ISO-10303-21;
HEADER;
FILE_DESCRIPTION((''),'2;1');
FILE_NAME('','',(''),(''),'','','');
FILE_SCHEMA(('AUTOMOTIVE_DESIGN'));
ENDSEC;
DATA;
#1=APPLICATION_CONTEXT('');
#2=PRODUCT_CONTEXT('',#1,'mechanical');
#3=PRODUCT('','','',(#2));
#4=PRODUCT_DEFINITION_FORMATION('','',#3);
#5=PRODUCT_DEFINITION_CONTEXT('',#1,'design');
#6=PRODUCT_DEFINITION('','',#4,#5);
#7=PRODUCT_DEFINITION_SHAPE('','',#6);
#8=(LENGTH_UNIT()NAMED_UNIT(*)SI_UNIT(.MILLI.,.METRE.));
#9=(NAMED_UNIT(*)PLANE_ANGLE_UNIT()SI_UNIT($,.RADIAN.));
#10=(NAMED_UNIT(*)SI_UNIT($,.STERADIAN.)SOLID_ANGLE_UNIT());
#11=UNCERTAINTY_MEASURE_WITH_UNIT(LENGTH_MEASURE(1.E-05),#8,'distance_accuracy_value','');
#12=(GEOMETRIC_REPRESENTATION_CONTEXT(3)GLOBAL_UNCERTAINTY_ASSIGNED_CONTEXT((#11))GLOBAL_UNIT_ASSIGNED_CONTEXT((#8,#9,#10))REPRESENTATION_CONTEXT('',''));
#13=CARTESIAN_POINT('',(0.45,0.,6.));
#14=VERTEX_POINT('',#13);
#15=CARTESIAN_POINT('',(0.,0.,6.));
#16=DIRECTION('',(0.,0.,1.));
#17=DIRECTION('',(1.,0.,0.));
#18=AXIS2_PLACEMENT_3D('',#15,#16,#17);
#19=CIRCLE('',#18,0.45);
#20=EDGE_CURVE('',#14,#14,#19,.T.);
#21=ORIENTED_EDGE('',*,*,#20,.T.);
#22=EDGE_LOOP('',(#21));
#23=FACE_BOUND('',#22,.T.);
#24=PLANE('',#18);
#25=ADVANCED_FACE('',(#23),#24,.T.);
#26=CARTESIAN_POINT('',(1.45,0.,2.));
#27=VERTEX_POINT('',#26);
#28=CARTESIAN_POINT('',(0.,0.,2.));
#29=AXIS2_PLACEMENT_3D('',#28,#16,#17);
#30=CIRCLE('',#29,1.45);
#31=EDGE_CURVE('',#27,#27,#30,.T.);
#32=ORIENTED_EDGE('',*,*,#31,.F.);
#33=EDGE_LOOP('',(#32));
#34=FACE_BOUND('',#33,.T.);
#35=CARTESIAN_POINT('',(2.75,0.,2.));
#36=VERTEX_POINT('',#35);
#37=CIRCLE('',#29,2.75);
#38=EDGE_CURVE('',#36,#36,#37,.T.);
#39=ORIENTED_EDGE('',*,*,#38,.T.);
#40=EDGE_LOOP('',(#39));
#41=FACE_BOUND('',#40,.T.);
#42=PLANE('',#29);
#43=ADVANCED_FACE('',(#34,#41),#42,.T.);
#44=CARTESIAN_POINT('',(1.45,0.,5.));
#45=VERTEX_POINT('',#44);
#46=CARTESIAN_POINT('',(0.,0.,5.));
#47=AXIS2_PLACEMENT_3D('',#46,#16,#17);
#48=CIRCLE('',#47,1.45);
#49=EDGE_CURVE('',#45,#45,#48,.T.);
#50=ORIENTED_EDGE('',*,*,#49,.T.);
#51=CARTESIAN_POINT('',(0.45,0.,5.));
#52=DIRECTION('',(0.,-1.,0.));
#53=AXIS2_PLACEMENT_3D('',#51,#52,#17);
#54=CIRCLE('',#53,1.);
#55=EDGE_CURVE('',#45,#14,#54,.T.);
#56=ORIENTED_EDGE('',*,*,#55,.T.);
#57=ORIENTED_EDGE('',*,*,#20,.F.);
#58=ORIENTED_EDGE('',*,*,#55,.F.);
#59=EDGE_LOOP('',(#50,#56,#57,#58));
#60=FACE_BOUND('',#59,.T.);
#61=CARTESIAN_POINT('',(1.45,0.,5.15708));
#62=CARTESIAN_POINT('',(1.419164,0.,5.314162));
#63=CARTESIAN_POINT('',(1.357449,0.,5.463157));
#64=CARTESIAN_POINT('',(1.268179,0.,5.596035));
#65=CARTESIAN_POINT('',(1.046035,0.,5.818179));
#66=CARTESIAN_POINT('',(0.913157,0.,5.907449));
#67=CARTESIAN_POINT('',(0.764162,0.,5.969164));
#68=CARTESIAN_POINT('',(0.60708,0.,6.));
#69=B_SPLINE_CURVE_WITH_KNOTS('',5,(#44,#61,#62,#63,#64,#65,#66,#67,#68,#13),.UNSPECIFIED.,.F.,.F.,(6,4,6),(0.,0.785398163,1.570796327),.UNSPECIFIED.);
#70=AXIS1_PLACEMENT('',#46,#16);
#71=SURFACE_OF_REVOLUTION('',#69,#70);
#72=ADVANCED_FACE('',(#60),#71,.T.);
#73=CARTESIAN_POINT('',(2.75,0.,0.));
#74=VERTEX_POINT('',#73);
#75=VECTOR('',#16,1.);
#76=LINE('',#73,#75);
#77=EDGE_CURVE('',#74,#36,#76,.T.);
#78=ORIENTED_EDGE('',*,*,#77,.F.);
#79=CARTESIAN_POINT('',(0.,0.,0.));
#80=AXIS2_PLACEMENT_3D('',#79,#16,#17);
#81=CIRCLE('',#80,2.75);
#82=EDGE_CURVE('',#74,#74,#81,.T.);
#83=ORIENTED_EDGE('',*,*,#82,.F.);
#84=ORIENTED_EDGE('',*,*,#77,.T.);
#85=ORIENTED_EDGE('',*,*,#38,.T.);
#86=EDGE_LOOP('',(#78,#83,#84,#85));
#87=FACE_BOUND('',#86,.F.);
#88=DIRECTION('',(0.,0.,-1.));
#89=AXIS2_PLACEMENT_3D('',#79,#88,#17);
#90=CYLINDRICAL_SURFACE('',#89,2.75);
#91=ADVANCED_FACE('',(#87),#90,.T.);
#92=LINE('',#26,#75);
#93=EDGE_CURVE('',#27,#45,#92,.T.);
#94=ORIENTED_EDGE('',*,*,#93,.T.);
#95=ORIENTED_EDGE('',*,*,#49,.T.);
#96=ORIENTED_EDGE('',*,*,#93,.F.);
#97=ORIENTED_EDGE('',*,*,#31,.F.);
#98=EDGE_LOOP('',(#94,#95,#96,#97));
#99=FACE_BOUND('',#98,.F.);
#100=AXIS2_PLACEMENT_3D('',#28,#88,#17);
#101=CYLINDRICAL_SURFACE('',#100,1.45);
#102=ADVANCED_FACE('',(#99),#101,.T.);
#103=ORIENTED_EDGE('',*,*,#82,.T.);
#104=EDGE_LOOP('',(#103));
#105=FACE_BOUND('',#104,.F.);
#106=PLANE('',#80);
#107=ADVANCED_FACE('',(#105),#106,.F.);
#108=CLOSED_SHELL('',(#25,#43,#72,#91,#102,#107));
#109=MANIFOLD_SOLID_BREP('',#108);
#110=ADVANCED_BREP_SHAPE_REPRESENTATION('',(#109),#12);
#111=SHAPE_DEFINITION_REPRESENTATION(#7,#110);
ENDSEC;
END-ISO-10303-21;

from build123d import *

# Parameters (mm, degrees)
SKETCH_R     = 2.75
PAD_DEPTH    = 2
SKETCH001_R  = 1.45
PAD001_DEPTH = 4
FILLET_R     = 1


with BuildPart() as part:
    # Sketch → Pad (new body)
    with BuildSketch(Plane.XY):
        Circle(SKETCH_R)
    extrude(amount=PAD_DEPTH)

    # Sketch001 (on Face3 of Pad) → Pad001 (join)
    with BuildSketch(Plane.XY.offset(2)):
        Circle(SKETCH001_R)
    extrude(amount=PAD001_DEPTH)

    # Fillet
    fillet_edges = [part.edges().sort_by_distance(p)[0] for p in [
        (-1.45, 0, 6),
    ]]
    fillet(fillet_edges, radius=FILLET_R)


solid = part.part
